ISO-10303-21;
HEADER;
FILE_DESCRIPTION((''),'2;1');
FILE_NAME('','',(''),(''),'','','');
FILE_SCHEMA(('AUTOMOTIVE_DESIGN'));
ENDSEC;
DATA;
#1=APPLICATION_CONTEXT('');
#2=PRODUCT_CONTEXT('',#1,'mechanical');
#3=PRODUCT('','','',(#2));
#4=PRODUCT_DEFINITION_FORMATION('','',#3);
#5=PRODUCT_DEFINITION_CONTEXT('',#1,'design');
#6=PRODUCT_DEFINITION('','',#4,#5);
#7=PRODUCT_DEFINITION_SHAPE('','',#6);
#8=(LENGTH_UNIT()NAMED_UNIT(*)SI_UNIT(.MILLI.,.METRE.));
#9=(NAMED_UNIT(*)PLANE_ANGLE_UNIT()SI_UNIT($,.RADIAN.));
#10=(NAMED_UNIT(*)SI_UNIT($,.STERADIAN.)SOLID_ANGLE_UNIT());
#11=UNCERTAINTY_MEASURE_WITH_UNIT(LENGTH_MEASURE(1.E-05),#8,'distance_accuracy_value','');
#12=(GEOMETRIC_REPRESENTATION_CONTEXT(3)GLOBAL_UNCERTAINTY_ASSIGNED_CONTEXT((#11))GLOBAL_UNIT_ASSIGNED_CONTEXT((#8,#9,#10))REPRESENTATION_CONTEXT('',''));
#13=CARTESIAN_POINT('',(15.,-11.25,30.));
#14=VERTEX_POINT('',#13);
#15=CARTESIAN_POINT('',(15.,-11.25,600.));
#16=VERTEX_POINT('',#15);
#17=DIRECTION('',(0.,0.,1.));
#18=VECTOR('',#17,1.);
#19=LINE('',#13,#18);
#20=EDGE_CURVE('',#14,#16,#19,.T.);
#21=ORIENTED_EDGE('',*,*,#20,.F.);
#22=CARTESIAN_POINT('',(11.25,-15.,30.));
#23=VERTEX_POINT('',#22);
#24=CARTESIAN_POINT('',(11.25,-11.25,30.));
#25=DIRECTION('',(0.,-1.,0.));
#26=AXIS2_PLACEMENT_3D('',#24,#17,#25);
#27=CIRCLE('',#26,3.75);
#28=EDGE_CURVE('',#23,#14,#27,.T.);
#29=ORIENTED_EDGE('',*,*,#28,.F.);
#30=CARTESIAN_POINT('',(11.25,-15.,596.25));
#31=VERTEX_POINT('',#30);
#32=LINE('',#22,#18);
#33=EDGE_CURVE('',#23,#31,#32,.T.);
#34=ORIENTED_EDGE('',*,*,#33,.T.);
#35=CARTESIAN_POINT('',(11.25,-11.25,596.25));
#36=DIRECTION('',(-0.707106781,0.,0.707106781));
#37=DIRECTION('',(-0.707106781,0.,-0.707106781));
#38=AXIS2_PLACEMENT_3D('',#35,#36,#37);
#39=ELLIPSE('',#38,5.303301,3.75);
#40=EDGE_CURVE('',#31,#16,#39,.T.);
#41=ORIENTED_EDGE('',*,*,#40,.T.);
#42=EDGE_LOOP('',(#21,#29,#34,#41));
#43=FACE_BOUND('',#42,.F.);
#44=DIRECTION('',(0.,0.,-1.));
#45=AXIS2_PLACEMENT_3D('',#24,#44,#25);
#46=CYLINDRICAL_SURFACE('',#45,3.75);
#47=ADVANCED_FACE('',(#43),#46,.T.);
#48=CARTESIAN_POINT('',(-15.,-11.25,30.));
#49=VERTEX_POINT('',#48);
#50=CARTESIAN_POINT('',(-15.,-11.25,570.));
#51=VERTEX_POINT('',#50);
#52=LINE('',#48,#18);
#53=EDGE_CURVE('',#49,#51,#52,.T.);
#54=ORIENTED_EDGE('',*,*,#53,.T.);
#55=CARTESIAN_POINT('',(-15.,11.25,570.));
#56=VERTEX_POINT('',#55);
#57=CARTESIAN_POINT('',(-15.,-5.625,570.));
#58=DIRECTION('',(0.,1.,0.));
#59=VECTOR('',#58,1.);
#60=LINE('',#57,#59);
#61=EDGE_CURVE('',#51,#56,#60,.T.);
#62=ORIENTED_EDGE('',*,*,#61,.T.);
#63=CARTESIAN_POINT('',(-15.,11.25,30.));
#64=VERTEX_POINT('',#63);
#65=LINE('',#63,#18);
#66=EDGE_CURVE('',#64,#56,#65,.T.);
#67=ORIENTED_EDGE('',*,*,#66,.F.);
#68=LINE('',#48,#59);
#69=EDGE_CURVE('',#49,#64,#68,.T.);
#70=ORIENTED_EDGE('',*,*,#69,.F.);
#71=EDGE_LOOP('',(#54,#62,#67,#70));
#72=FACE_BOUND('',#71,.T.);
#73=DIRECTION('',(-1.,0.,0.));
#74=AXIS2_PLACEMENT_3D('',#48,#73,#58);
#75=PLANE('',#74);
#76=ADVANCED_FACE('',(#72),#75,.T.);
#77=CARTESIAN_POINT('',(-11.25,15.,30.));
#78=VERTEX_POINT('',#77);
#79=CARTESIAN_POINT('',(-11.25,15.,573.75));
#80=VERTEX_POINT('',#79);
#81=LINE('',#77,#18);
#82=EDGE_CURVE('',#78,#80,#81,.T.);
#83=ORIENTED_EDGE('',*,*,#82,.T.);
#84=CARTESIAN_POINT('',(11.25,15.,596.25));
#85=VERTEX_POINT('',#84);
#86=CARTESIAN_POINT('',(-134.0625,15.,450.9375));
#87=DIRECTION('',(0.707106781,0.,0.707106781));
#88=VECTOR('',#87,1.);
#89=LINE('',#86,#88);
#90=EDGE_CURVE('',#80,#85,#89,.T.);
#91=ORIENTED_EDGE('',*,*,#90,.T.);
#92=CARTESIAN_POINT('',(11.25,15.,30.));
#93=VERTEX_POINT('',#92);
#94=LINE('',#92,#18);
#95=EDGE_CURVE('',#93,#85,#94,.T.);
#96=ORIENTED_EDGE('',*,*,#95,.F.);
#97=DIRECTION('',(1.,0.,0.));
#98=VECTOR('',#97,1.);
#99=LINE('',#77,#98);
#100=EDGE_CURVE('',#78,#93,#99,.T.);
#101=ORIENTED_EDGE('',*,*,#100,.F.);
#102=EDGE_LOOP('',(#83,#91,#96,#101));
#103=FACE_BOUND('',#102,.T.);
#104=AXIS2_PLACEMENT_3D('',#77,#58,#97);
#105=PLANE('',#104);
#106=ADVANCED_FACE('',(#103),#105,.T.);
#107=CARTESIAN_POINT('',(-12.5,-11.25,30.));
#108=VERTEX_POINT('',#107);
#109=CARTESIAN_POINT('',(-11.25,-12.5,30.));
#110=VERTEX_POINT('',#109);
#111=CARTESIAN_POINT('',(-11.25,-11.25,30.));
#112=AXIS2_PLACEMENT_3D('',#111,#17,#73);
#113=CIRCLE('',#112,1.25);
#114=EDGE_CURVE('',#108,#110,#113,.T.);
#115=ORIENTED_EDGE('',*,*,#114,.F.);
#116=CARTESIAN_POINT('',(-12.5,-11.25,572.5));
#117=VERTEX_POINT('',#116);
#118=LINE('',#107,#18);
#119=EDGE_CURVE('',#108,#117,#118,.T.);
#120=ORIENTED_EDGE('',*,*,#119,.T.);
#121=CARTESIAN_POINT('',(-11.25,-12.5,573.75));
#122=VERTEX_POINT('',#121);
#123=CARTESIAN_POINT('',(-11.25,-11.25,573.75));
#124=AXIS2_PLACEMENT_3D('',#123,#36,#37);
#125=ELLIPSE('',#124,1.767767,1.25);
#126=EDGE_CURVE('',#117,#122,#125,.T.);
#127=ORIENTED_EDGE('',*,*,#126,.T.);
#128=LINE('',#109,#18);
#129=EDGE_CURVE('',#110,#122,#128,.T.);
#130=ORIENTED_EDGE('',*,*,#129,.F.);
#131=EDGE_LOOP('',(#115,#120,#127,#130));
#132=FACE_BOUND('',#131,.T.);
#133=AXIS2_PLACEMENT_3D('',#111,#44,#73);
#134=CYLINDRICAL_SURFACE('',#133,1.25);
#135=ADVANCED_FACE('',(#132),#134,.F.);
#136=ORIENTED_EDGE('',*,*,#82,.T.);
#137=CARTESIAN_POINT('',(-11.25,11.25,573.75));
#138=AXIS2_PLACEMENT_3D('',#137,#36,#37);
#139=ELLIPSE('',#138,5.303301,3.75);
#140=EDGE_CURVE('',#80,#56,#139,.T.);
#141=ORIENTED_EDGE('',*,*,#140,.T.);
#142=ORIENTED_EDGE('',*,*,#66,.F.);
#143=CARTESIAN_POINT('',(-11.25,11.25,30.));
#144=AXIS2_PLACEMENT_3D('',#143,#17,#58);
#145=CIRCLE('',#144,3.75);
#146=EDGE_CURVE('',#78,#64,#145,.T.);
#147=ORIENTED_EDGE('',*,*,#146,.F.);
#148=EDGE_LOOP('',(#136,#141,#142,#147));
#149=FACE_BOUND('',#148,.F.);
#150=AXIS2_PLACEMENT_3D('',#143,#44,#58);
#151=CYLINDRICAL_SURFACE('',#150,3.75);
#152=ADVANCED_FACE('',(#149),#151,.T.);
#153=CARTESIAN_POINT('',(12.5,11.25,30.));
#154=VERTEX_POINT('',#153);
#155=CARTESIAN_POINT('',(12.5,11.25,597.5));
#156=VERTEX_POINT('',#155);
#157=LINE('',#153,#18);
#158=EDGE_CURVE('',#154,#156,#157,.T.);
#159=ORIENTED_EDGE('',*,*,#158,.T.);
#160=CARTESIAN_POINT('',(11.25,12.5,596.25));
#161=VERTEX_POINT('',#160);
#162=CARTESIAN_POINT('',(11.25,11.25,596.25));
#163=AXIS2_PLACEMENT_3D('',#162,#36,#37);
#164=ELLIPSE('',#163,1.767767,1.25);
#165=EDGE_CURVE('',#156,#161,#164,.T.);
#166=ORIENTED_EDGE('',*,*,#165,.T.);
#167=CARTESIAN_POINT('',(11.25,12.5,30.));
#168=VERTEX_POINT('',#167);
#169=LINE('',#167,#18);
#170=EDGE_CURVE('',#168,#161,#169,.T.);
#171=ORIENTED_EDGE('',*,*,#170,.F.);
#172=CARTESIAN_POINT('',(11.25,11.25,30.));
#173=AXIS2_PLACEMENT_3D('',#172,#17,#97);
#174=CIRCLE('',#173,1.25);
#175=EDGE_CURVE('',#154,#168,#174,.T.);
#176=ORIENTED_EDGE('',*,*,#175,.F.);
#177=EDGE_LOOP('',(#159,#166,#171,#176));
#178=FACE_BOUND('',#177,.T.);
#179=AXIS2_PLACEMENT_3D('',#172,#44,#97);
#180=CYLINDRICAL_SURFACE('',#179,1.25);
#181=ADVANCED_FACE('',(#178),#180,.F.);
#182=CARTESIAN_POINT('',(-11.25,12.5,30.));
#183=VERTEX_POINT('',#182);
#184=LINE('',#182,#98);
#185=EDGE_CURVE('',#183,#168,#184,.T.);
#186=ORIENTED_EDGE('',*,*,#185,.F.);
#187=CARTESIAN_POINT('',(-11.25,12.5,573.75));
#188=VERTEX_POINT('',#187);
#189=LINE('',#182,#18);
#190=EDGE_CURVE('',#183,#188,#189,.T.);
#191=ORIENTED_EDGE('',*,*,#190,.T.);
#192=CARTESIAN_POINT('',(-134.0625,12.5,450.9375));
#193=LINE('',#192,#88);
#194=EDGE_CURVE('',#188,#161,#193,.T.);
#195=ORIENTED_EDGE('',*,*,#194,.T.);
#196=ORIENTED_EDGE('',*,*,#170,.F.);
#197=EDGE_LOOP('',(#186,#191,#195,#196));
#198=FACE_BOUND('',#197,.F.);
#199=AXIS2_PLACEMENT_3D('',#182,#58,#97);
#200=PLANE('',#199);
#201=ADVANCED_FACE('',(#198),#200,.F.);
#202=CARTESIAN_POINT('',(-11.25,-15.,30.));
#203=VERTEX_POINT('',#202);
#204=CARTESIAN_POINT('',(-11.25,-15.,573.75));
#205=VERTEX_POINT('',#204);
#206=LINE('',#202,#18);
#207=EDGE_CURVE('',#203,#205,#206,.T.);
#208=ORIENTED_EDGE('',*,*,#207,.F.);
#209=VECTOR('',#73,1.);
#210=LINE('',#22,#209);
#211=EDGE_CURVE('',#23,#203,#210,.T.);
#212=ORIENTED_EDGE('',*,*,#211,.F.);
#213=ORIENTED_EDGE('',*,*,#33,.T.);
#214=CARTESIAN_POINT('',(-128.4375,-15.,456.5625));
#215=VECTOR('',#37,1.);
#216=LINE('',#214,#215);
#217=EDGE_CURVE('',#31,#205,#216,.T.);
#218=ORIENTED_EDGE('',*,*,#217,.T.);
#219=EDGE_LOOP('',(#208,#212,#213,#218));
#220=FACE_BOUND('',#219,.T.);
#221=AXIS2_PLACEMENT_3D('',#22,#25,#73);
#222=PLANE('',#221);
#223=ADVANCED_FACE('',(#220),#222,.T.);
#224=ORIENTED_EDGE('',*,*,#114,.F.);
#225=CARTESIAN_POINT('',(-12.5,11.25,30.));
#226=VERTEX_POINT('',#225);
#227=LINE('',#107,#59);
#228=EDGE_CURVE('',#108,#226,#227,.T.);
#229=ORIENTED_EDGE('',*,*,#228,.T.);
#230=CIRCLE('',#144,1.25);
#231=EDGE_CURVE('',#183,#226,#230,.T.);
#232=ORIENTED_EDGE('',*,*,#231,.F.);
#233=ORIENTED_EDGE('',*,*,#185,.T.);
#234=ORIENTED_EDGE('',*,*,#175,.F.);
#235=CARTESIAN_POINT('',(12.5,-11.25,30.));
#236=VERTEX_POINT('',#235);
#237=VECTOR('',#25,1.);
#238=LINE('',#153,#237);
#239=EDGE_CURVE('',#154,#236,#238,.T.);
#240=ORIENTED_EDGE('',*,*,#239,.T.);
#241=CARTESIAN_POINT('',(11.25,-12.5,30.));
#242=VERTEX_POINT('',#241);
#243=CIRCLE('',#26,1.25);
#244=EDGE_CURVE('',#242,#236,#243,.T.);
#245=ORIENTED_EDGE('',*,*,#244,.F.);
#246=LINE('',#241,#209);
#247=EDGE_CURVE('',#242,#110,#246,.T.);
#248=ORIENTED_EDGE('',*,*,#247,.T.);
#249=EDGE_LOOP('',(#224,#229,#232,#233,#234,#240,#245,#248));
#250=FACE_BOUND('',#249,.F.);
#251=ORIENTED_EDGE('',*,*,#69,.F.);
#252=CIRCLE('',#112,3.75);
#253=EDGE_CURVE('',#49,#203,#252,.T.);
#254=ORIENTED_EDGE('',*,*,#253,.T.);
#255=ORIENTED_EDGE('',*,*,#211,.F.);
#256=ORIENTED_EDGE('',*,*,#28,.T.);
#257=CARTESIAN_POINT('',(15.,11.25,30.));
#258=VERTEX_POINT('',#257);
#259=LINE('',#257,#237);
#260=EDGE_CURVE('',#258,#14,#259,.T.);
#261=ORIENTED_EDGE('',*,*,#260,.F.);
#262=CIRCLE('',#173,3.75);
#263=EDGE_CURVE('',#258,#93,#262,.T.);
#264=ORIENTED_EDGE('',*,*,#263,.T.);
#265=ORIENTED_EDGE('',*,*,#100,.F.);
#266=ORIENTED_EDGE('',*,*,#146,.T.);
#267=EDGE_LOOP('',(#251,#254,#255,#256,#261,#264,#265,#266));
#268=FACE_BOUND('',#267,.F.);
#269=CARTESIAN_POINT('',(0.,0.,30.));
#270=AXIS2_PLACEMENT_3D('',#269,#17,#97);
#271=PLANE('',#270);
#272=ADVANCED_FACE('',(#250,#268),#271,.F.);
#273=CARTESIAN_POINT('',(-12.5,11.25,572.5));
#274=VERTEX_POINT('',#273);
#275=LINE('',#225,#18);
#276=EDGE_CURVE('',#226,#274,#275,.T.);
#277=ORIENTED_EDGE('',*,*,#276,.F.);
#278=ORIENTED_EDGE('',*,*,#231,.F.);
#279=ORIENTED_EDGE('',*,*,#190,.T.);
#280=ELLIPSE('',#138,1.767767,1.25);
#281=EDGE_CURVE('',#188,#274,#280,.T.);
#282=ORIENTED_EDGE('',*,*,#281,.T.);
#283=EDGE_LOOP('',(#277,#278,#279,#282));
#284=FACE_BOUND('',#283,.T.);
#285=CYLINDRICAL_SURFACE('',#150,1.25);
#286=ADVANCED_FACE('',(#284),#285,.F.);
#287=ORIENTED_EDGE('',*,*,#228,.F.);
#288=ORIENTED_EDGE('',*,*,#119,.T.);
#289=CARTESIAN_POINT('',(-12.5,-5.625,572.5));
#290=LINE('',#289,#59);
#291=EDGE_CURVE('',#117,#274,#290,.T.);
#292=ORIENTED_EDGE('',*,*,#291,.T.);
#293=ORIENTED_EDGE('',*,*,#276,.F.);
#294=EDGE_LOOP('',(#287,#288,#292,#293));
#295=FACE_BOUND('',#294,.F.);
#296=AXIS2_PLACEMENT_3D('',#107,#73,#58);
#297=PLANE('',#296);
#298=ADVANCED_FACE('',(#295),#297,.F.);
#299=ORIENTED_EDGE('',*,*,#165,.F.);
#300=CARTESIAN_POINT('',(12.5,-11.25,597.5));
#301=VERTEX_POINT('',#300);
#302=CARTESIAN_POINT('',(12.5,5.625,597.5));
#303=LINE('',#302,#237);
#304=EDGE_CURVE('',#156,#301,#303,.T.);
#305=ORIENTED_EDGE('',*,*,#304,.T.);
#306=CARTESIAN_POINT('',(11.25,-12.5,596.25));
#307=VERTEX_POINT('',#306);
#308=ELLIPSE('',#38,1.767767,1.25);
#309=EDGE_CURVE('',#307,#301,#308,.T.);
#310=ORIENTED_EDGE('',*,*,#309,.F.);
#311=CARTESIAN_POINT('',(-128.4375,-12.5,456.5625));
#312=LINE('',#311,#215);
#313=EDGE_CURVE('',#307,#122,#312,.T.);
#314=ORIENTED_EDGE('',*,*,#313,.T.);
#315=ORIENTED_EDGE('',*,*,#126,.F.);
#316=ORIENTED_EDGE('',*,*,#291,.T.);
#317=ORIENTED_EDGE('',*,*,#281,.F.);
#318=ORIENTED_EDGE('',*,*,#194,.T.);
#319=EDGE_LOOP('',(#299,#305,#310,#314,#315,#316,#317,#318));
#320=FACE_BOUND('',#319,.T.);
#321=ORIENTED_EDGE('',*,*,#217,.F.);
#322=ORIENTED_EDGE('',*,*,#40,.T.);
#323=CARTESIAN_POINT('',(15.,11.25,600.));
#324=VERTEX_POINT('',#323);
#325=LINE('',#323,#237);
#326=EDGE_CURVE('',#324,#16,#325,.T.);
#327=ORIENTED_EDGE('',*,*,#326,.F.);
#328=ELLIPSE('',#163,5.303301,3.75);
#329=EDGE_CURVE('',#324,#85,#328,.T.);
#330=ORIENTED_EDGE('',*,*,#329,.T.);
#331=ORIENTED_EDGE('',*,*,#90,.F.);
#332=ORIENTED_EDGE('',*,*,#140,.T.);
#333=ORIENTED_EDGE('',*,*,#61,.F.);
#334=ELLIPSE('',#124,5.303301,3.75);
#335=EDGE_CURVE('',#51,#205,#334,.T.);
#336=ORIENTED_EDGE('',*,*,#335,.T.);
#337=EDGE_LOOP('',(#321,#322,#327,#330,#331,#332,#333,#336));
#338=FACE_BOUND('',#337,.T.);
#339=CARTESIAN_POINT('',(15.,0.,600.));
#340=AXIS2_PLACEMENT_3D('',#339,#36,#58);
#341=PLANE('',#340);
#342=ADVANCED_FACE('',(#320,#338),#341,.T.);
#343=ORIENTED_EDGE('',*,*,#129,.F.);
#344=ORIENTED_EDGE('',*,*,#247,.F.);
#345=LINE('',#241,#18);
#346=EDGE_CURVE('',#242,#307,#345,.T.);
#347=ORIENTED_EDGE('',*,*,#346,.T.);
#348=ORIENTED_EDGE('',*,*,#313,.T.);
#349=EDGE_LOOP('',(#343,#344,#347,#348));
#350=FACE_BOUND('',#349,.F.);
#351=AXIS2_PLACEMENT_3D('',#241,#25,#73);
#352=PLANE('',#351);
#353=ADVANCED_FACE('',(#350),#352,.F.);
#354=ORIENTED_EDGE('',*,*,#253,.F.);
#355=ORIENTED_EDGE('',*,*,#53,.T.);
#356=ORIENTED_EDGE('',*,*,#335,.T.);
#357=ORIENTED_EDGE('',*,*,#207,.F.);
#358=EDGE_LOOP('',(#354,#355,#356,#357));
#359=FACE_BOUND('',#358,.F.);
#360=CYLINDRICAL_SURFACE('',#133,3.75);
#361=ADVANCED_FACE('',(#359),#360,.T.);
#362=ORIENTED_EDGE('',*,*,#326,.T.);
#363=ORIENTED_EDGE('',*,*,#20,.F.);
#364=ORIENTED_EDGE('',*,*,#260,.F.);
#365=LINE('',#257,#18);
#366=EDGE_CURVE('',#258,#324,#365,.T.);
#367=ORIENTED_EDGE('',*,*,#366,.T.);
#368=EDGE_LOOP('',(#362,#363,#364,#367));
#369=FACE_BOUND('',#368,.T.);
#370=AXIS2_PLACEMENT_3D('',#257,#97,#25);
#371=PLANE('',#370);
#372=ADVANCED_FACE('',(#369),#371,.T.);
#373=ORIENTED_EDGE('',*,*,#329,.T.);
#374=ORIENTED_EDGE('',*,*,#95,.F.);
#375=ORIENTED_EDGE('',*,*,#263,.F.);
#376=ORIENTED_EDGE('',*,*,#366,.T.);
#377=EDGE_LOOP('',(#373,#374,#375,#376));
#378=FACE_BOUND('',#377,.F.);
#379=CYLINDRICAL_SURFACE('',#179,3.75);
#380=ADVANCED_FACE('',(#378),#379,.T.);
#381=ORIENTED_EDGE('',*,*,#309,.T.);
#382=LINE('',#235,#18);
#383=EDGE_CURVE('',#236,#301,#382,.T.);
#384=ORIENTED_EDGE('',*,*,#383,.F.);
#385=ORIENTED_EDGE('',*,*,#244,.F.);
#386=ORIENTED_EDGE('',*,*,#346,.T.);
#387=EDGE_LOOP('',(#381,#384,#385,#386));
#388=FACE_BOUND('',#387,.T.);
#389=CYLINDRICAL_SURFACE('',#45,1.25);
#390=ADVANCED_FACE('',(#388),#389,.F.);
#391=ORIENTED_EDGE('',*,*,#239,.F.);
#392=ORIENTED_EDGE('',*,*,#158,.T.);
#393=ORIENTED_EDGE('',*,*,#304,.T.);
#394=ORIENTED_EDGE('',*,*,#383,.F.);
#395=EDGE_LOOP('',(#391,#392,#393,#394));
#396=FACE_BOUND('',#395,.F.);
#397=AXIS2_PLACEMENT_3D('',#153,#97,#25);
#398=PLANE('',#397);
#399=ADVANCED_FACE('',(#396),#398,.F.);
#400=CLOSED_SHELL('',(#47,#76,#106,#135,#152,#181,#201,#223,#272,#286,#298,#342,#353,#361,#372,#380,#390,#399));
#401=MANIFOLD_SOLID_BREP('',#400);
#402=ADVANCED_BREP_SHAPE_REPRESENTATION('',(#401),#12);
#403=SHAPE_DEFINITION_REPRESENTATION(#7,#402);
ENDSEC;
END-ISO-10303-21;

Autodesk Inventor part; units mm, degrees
ref_plane "Start plane" through (0, 0, 30) normal (0, 0, 1) x (1, 0, 0)
ref_plane "End plane" through (0, 0, 600) normal (0, 0, 1) x (1, 0, 0)
sketch "Sketch" plane through (0, 0, 0) normal (0, 0, 1) x (1, 0, 0)
  line L0 (-15, -11.25) -> (-15, 11.25)
  line L1 (-11.25, 15) -> (11.25, 15)
  line L2 (15, 11.25) -> (15, -11.25)
  line L3 (11.25, -15) -> (-11.25, -15)
  arc A0 (-15, -11.25) -> (-11.25, -15) centre (-11.25, -11.25) ccw
  arc A1 (-11.25, 15) -> (-15, 11.25) centre (-11.25, 11.25) ccw
  arc A2 (15, 11.25) -> (11.25, 15) centre (11.25, 11.25) ccw
  arc A3 (11.25, -15) -> (15, -11.25) centre (11.25, -11.25) ccw
  arc A4 (-11.25, 12.5) -> (-12.5, 11.25) centre (-11.25, 11.25) ccw
  line L4 (-11.25, 12.5) -> (11.25, 12.5)
  arc A5 (12.5, 11.25) -> (11.25, 12.5) centre (11.25, 11.25) ccw
  line L5 (12.5, 11.25) -> (12.5, -11.25)
  arc A6 (11.25, -12.5) -> (12.5, -11.25) centre (11.25, -11.25) ccw
  line L6 (11.25, -12.5) -> (-11.25, -12.5)
  arc A7 (-12.5, -11.25) -> (-11.25, -12.5) centre (-11.25, -11.25) ccw
  line L7 (-12.5, -11.25) -> (-12.5, 11.25)
  line L8 (0, 22.0873) -> (0, -22.0873) construction
  line L9 (-22.0873, 0) -> (22.0873, 0) construction
  dimension "d7" = 3.75
  dimension "d10" = 30
  dimension "d11" = 30
  dimension "d12" = 2.5
  dimension "d15" = 15
  dimension "d16" = 15
extrude "Body" add sketch "Sketch" along normal up to surface (570 mm away) from surface at 30
sketch "Sketch3" plane through (0, 0, 0) normal (0, 0, 1) x (1, 0, 0)
  line L0 (0, 0) -> (10, 0)
ref_plane "Work Plane3" through (0, 0, 0) normal (0, -1, 0) x (1, 0, 0)
sketch "Sketch4" plane through (0, 0, 0) normal (0, -1, 0) x (1, 0, 0)
  line L0 (-2, 30) -> (12, 30)
  line L1 (-2, 600) -> (12, 600)
  dimension "d18" = 570
ref_plane "Work Plane4" through (-11.25, 1233, 30) normal (0, 0, -1) x (-1, 0, 0)
split "Split1" plane through (-11.25, 1233, 30) removes the side toward (0, 0, -1)
ref_plane "Work Plane6" through (15, 0, 600) normal (-0.7071, 0, 0.7071) x (0.7071, 0, 0.7071)
split "Split3" plane through (15, 0, 600) removes the side toward (-0.7071, 0, 0.7071)
equation "\"d7\" = G_IR"
equation "\"d10\" = G_H"
equation "\"d11\" = G_W"
equation "\"d12\" = G_T"
equation "\"d15\" = 0.5 * d10"
equation "\"d16\" = 0.5 * d11"
equation "\"d3\" = G_L"
equation "\"G_W\" = 30"
equation "\"G_H\" = 30"
equation "\"G_T\" = 2.5"
equation "\"G_IR\" = 3.75"
equation "\"G_L\" = d18"
equation "\"G_OFFSET_END\" = 0"
properties part number "DIN EN 10305-5 - 30 x 30 x 2,5  - 570" material "Steel, Mild"
